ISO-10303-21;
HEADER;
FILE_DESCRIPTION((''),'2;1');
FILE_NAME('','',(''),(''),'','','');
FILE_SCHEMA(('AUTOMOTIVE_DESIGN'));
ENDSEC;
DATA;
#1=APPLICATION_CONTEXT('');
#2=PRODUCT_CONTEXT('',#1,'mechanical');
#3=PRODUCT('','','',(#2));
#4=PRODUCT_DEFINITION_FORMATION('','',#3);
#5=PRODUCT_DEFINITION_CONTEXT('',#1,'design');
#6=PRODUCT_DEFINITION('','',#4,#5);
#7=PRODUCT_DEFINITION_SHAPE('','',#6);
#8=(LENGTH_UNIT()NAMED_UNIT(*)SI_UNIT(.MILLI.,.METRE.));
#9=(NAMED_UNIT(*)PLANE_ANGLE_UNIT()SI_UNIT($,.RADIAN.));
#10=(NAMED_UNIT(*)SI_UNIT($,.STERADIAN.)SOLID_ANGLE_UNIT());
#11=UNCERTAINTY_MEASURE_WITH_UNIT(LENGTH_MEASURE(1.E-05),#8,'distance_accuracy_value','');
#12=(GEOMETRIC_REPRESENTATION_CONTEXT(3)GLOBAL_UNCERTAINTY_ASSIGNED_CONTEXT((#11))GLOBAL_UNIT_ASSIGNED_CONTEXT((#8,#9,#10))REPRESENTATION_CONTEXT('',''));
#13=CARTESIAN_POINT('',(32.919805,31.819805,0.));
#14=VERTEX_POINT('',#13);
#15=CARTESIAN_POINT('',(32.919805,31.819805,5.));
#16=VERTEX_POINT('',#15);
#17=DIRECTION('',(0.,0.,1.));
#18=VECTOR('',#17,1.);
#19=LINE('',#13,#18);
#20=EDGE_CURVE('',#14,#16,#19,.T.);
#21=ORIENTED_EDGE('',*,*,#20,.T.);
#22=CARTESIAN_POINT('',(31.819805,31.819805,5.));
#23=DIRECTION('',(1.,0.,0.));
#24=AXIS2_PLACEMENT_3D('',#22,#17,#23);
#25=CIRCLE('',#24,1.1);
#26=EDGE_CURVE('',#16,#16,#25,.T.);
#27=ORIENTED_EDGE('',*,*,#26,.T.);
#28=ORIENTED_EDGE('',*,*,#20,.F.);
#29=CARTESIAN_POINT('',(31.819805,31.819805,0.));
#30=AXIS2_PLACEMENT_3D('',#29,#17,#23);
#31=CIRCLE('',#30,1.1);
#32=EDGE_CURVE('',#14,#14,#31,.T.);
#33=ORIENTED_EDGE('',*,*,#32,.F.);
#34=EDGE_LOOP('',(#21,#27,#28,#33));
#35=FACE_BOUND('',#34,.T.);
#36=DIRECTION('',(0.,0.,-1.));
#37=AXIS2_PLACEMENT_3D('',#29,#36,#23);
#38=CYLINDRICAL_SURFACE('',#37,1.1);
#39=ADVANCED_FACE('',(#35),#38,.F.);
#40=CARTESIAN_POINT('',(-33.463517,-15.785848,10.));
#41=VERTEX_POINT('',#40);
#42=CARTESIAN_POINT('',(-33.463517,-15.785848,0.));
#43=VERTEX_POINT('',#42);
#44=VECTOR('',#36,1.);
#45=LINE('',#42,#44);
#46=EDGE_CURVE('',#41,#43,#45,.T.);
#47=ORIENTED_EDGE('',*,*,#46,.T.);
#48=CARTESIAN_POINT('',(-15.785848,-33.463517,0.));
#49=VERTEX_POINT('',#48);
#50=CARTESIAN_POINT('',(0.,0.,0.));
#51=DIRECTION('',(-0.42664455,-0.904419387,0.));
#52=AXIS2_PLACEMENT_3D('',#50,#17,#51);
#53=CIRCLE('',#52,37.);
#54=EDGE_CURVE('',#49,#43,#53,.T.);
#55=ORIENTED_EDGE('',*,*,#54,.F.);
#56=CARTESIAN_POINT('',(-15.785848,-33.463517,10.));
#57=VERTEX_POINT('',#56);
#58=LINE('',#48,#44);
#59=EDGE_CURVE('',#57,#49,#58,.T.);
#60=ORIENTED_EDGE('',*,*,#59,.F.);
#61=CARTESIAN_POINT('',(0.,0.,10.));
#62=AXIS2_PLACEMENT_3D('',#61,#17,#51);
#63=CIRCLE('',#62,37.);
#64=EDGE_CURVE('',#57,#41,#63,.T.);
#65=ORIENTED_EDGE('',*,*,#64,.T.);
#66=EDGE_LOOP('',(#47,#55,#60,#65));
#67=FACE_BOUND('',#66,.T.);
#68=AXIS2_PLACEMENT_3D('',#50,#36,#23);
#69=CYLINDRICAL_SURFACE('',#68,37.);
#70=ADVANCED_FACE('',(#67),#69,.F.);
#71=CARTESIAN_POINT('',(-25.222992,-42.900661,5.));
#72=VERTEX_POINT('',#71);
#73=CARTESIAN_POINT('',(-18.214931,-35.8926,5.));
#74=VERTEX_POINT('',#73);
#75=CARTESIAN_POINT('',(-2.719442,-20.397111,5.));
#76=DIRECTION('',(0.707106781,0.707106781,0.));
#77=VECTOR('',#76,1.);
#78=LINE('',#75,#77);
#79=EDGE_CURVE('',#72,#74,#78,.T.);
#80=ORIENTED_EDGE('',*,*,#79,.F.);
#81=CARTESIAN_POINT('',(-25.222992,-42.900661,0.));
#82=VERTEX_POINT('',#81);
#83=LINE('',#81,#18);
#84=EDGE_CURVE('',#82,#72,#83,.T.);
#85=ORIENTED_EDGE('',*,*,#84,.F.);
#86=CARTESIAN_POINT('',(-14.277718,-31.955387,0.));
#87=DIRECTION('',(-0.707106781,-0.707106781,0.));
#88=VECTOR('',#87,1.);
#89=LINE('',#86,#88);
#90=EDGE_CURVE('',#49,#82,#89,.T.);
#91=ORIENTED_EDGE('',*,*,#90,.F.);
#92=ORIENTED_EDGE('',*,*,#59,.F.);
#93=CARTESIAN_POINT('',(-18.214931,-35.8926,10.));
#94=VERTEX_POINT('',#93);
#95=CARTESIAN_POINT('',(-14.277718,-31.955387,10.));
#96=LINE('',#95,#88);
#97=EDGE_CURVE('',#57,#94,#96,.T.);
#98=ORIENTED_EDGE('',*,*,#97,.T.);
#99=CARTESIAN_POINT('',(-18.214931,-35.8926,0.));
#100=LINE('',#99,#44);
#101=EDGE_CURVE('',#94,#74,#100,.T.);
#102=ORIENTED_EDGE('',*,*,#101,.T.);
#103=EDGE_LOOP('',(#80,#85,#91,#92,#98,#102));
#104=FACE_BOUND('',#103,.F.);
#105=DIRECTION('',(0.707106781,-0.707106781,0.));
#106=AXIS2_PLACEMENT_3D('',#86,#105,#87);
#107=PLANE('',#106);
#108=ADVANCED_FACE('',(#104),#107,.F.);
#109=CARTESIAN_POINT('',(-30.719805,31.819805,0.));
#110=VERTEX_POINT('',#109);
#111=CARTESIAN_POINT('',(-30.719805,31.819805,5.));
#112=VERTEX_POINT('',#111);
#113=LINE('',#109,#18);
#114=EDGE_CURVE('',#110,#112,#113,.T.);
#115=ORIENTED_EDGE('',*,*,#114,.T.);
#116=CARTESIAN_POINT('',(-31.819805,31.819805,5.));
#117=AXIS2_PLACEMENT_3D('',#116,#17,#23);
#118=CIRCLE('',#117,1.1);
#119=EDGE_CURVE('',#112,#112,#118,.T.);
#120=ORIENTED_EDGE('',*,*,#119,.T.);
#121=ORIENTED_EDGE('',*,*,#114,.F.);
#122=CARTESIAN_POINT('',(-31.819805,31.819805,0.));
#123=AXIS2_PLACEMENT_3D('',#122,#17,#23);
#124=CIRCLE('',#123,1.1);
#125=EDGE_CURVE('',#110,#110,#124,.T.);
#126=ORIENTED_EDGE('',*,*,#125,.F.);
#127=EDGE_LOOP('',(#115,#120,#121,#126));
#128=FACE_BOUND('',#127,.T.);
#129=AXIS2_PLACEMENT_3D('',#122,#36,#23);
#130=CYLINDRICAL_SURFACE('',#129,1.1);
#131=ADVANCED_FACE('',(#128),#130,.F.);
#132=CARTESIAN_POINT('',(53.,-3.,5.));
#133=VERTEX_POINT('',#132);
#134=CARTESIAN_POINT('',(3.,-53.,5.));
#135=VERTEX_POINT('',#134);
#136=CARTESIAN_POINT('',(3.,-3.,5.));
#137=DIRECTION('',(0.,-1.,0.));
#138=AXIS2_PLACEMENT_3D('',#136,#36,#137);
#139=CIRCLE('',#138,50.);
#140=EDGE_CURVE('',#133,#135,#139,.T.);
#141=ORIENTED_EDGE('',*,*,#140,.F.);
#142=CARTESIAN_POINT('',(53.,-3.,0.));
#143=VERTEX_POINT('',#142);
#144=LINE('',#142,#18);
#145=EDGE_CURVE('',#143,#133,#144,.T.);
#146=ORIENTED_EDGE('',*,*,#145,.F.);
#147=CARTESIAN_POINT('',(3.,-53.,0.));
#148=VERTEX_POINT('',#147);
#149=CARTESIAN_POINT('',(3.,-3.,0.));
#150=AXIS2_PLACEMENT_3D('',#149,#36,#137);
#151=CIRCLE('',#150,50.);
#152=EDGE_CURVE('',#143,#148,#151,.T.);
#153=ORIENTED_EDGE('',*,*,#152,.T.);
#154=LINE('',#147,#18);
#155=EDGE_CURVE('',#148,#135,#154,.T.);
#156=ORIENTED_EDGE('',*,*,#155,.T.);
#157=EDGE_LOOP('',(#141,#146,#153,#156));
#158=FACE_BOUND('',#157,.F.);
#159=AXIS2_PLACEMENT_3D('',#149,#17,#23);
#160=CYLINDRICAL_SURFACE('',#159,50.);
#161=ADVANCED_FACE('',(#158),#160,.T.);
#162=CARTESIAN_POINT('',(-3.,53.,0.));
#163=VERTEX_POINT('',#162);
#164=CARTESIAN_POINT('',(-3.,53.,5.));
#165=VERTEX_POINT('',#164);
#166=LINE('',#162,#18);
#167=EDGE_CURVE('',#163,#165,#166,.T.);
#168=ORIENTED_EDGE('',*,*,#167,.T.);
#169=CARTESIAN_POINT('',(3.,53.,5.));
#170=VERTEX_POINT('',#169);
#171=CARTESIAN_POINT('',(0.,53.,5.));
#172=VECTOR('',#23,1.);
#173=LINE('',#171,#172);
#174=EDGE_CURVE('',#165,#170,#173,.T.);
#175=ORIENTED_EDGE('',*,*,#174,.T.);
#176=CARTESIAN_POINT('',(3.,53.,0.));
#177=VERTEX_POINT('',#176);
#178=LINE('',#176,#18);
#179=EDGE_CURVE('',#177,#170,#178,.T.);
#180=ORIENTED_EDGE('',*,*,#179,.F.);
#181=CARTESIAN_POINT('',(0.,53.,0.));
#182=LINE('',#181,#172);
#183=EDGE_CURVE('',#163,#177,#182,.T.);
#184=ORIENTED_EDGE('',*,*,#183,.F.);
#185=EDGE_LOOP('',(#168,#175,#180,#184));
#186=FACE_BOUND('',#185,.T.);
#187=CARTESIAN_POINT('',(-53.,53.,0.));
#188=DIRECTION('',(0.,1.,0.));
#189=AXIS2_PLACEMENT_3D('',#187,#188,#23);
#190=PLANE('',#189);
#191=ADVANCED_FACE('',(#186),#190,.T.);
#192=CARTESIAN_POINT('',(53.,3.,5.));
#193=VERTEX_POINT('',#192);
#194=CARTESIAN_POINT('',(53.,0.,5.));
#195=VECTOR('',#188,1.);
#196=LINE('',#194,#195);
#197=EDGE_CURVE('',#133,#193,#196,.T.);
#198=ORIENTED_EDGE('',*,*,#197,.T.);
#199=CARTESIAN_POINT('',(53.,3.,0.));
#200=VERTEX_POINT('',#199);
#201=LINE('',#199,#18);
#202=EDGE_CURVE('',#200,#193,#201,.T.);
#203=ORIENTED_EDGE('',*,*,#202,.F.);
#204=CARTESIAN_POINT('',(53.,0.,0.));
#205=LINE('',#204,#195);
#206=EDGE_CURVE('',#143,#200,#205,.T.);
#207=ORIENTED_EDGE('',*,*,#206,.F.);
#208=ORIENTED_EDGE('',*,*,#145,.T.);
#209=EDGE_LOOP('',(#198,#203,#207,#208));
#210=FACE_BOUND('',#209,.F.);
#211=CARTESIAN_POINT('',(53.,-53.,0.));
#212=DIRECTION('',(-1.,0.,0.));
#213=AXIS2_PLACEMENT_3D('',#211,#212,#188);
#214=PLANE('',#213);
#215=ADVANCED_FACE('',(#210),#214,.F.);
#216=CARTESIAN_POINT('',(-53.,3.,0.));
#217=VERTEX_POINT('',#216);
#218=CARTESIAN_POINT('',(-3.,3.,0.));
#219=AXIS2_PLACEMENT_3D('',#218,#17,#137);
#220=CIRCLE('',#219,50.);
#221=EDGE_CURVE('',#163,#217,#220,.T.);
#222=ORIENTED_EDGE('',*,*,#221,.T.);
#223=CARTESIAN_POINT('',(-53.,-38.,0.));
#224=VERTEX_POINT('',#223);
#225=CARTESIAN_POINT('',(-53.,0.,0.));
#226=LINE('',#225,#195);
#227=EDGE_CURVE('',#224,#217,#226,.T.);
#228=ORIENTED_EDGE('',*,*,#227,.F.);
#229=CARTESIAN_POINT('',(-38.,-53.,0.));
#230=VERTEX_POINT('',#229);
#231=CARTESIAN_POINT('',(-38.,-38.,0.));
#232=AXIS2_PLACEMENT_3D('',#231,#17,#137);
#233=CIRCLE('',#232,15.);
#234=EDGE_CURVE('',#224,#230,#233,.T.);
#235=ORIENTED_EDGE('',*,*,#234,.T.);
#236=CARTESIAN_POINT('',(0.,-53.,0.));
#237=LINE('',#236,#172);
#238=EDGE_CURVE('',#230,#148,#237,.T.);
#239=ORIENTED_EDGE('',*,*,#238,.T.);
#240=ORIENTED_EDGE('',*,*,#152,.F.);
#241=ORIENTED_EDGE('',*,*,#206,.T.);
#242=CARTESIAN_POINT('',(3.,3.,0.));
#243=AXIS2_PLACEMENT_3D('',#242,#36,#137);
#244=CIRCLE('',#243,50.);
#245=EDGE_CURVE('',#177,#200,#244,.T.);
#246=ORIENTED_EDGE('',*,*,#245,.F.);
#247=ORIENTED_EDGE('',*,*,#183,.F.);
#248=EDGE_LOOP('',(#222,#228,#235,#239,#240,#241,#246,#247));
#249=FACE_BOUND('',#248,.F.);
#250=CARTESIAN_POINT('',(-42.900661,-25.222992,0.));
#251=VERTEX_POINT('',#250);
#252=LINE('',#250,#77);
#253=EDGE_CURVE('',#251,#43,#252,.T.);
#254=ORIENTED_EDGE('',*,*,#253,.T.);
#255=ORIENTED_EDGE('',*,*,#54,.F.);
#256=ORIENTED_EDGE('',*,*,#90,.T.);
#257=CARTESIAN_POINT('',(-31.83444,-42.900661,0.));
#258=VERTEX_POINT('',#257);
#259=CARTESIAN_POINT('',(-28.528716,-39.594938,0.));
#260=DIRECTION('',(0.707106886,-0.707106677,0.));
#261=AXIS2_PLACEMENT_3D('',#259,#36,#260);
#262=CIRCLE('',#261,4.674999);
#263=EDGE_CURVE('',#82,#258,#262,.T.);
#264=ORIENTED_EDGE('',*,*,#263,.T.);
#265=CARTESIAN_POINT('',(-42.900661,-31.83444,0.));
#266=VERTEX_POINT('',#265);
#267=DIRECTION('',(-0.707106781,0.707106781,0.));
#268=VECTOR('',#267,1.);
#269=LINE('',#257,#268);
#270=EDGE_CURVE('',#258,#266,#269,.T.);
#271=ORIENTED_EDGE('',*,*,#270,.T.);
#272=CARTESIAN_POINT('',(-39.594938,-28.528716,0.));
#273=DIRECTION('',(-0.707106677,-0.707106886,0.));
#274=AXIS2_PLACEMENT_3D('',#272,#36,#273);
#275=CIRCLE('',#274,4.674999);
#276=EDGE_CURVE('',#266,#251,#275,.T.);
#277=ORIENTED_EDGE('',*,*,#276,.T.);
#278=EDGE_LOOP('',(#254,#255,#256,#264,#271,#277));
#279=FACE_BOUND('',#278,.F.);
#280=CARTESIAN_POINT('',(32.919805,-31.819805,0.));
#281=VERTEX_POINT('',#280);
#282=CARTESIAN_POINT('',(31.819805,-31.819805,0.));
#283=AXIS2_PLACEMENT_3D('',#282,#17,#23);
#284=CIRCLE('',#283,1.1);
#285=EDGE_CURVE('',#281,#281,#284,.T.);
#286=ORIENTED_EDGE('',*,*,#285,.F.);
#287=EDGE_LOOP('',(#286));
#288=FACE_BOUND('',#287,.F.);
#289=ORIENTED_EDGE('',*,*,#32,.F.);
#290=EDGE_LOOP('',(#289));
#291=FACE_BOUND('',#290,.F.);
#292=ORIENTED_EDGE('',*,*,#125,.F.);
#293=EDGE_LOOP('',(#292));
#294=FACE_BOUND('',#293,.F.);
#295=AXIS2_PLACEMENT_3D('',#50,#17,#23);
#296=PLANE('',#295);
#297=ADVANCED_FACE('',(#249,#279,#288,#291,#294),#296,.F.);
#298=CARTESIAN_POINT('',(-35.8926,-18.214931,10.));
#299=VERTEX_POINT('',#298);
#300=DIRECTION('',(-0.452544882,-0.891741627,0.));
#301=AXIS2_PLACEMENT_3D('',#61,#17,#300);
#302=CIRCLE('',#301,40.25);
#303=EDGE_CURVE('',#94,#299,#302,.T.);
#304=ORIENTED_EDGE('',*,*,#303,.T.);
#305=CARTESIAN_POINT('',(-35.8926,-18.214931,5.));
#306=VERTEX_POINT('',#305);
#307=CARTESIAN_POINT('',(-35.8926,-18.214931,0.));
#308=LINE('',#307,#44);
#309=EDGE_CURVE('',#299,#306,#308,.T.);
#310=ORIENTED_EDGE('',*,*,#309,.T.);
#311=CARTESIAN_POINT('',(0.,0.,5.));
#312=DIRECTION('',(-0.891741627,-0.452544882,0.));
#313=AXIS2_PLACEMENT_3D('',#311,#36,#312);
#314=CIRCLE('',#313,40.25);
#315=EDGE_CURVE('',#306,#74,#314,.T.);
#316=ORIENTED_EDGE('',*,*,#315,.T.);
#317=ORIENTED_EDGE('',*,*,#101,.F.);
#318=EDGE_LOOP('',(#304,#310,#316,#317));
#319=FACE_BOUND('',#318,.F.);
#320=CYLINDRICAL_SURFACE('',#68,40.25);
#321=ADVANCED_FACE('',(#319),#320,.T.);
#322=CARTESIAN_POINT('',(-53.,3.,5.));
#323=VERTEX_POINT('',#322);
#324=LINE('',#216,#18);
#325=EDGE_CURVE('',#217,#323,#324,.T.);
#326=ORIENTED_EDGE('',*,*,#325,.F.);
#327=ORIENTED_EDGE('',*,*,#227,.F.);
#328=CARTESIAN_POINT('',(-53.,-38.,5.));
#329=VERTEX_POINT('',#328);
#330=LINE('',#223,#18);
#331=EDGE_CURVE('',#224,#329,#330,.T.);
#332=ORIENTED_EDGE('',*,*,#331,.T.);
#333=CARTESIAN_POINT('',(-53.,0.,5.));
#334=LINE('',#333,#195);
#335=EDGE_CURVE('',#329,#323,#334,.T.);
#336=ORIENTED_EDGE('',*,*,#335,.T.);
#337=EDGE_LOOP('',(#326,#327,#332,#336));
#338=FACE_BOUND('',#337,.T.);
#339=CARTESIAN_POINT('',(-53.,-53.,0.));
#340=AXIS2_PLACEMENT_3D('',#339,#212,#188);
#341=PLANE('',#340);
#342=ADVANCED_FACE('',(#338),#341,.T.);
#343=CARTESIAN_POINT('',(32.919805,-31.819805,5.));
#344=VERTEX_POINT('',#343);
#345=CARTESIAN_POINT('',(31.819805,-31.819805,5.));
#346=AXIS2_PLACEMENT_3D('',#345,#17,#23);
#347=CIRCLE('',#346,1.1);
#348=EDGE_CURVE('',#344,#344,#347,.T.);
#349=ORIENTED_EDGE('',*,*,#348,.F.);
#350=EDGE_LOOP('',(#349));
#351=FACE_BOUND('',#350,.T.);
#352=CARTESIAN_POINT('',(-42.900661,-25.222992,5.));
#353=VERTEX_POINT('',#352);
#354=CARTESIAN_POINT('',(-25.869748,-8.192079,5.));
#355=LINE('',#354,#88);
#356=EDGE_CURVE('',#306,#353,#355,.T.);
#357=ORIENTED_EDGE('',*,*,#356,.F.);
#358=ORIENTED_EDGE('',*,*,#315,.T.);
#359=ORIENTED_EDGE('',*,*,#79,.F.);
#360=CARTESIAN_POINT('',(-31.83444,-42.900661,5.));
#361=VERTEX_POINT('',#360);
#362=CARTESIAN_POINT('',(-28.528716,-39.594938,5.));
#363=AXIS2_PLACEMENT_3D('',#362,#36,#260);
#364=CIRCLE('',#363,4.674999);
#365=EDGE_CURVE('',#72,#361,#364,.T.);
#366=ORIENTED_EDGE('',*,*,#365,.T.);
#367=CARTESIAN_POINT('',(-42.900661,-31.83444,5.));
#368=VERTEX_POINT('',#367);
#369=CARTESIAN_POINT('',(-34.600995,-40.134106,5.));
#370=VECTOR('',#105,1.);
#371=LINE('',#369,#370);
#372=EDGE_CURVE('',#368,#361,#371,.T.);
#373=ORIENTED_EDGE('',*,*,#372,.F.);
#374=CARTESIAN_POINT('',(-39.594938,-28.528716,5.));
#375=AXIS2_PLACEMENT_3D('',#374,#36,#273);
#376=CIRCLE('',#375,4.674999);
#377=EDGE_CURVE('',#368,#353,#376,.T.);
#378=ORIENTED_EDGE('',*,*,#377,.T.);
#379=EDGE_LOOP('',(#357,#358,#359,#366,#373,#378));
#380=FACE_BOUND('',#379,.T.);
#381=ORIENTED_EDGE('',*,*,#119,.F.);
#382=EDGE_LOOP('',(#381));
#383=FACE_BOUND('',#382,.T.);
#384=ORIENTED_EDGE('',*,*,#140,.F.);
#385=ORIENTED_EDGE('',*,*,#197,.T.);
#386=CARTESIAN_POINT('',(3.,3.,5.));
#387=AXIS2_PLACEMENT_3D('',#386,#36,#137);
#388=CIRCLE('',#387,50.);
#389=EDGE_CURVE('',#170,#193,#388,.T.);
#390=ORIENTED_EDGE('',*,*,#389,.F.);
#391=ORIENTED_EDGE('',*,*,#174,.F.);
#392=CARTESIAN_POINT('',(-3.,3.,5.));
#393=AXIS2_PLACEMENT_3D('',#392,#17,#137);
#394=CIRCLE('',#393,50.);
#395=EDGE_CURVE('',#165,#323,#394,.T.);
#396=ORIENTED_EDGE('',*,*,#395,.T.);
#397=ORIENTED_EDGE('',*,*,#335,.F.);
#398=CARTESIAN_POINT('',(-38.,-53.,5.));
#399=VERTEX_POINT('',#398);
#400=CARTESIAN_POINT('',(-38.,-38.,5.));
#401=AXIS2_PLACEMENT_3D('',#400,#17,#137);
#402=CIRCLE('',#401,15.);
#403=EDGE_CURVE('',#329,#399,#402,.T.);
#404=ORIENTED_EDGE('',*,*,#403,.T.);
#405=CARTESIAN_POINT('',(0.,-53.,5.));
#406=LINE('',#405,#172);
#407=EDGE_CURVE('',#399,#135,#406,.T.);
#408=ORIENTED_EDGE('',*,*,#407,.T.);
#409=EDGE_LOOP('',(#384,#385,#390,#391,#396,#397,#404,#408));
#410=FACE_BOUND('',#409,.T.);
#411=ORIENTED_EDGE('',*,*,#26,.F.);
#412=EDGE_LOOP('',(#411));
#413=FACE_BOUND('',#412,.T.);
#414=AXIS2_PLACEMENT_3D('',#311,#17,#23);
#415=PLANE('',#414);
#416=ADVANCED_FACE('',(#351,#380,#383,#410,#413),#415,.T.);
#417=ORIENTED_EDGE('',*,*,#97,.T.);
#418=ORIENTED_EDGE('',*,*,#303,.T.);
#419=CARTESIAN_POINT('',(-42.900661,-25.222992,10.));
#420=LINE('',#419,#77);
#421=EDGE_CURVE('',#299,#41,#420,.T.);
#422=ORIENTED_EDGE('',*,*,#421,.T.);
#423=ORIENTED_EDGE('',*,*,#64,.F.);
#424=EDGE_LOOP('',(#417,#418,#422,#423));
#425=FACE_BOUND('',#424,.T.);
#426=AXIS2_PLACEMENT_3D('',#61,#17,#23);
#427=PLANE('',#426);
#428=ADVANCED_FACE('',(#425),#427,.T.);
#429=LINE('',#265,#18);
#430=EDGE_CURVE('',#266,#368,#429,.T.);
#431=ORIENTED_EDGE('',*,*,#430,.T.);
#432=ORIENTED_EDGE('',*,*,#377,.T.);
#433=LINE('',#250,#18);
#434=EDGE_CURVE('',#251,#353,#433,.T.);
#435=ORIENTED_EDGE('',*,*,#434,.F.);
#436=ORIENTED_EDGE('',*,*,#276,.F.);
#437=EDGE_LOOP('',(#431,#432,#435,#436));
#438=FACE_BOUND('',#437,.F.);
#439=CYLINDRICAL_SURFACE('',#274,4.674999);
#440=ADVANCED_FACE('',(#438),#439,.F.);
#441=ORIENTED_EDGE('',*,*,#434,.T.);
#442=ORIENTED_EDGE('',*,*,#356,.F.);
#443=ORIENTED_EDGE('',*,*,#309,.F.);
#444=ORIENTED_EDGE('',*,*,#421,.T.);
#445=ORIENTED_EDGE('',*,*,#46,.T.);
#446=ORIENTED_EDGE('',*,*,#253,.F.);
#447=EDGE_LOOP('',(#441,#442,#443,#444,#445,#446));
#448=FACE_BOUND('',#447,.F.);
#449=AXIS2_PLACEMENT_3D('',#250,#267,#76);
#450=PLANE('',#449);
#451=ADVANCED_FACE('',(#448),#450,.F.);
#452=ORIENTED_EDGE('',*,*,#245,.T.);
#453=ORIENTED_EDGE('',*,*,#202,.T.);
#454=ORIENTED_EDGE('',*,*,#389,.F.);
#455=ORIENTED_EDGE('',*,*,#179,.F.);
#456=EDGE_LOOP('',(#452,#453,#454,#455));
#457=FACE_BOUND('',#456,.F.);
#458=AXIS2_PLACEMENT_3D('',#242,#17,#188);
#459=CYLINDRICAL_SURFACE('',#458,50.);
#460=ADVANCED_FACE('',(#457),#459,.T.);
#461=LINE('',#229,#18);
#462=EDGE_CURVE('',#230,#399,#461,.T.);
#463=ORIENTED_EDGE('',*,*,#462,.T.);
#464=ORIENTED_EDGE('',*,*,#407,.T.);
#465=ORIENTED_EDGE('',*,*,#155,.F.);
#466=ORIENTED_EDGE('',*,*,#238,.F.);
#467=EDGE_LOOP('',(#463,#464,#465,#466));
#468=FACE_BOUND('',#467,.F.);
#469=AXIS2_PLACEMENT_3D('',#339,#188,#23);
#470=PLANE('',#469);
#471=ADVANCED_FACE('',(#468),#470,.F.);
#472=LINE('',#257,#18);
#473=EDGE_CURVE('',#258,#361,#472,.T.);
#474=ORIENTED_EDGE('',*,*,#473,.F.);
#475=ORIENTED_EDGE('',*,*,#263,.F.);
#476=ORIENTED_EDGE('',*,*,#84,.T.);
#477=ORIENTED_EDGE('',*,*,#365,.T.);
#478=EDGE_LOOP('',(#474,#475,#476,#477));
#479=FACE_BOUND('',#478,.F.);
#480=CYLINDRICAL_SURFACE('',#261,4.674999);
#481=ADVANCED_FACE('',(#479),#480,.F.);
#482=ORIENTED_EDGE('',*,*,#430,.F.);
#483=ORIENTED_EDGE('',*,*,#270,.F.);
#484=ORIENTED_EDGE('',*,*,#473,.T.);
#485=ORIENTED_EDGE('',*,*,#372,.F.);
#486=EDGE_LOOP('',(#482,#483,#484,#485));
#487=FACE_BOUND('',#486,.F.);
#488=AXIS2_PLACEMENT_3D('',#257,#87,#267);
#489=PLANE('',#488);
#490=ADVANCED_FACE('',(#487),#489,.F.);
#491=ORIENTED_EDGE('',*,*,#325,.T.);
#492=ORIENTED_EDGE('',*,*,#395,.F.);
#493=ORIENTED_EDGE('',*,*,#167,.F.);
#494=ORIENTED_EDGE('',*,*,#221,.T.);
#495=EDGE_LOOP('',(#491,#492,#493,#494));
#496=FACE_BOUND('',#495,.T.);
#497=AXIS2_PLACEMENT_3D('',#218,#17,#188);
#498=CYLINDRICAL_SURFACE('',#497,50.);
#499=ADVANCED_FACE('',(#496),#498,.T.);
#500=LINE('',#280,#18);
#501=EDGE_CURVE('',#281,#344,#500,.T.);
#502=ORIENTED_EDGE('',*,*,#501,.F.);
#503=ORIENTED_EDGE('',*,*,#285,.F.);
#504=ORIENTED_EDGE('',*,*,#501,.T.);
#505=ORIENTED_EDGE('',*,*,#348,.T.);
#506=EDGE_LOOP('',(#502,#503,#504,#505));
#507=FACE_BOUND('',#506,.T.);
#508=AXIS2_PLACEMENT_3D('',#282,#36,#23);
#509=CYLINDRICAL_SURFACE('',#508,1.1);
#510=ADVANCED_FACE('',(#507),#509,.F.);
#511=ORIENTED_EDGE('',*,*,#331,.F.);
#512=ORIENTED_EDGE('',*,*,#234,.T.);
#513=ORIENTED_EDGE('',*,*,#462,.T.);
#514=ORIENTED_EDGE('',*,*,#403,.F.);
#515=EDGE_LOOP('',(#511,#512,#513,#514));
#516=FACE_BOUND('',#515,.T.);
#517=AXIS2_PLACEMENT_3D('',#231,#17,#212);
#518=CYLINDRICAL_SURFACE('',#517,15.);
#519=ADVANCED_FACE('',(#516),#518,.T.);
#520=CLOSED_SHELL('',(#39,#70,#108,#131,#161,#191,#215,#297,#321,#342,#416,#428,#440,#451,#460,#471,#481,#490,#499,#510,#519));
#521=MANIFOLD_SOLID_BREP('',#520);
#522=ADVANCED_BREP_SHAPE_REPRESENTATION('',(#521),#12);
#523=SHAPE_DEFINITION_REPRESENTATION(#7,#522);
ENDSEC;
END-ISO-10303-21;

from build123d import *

# Parameters (mm, degrees)
PAD004_DEPTH  = 10
SKETCH001_R   = 40.25
SKETCH001_R_2 = 37
PAD005_DEPTH  = 10
SKETCH_W      = 106
SKETCH_H      = 106
SKETCH_R      = 1.1
SKETCH_R_2    = 37
PAD_DEPTH     = 5
FILLET_1_R    = 50
FILLET_2_R    = 15


with BuildPart() as pad_encoder_hole:
    # Sketch006 → Pad004 (new body)
    with BuildSketch(Plane.XY):
        with BuildLine():
            ThreePointArc((-42.900661, -31.83444), (-44.269937, -28.528716), (-42.900661, -25.222992))
            Line((-42.900661, -25.222992), (-31.955387, -14.277718))
            ThreePointArc((-31.955387, -14.277718), (-24.748737, -24.748737), (-14.277718, -31.955387))
            Line((-14.277718, -31.955387), (-25.222992, -42.900661))
            ThreePointArc((-25.222992, -42.900661), (-28.528716, -44.269937), (-31.83444, -42.900661))
            Line((-31.83444, -42.900661), (-42.900661, -31.83444))
        make_face()
    extrude(amount=PAD004_DEPTH)


with BuildPart() as pad_ring:
    # Sketch001 → Pad005 (new body)
    with BuildSketch(Plane.XY):
        Circle(SKETCH001_R)
        Circle(SKETCH001_R_2, mode=Mode.SUBTRACT)
    extrude(amount=PAD005_DEPTH)


with BuildPart() as fillet_remove_material:
    # Sketch → Pad (new body)
    with BuildSketch(Plane.XY):
        Rectangle(SKETCH_W, SKETCH_H)
        with Locations((-31.819805, 31.819805)):
            Circle(SKETCH_R, mode=Mode.SUBTRACT)
        with Locations((31.819805, 31.819805)):
            Circle(SKETCH_R, mode=Mode.SUBTRACT)
        with Locations((31.819805, -31.819805)):
            Circle(SKETCH_R, mode=Mode.SUBTRACT)
        with Locations((-31.819805, -31.819805)):
            Circle(SKETCH_R, mode=Mode.SUBTRACT)
        Circle(SKETCH_R_2, mode=Mode.SUBTRACT)
    extrude(amount=PAD_DEPTH)

    # Fusion: union Pad (ring)
    add(pad_ring.part)

    # Cut: cut Pad (encoder hole)
    add(pad_encoder_hole.part, mode=Mode.SUBTRACT)

    # Fillet 1
    fillet_1_edges = [fillet_remove_material.edges().sort_by_distance(p)[0] for p in [
        (-53, 53, 2.5),
        (53, 53, 2.5),
        (53, -53, 2.5),
    ]]
    fillet(fillet_1_edges, radius=FILLET_1_R)

    # Fillet 2
    fillet_2_edges = [fillet_remove_material.edges().sort_by_distance(p)[0] for p in [
        (-53, -53, 2.5),
    ]]
    fillet(fillet_2_edges, radius=FILLET_2_R)


solid = fillet_remove_material.part
